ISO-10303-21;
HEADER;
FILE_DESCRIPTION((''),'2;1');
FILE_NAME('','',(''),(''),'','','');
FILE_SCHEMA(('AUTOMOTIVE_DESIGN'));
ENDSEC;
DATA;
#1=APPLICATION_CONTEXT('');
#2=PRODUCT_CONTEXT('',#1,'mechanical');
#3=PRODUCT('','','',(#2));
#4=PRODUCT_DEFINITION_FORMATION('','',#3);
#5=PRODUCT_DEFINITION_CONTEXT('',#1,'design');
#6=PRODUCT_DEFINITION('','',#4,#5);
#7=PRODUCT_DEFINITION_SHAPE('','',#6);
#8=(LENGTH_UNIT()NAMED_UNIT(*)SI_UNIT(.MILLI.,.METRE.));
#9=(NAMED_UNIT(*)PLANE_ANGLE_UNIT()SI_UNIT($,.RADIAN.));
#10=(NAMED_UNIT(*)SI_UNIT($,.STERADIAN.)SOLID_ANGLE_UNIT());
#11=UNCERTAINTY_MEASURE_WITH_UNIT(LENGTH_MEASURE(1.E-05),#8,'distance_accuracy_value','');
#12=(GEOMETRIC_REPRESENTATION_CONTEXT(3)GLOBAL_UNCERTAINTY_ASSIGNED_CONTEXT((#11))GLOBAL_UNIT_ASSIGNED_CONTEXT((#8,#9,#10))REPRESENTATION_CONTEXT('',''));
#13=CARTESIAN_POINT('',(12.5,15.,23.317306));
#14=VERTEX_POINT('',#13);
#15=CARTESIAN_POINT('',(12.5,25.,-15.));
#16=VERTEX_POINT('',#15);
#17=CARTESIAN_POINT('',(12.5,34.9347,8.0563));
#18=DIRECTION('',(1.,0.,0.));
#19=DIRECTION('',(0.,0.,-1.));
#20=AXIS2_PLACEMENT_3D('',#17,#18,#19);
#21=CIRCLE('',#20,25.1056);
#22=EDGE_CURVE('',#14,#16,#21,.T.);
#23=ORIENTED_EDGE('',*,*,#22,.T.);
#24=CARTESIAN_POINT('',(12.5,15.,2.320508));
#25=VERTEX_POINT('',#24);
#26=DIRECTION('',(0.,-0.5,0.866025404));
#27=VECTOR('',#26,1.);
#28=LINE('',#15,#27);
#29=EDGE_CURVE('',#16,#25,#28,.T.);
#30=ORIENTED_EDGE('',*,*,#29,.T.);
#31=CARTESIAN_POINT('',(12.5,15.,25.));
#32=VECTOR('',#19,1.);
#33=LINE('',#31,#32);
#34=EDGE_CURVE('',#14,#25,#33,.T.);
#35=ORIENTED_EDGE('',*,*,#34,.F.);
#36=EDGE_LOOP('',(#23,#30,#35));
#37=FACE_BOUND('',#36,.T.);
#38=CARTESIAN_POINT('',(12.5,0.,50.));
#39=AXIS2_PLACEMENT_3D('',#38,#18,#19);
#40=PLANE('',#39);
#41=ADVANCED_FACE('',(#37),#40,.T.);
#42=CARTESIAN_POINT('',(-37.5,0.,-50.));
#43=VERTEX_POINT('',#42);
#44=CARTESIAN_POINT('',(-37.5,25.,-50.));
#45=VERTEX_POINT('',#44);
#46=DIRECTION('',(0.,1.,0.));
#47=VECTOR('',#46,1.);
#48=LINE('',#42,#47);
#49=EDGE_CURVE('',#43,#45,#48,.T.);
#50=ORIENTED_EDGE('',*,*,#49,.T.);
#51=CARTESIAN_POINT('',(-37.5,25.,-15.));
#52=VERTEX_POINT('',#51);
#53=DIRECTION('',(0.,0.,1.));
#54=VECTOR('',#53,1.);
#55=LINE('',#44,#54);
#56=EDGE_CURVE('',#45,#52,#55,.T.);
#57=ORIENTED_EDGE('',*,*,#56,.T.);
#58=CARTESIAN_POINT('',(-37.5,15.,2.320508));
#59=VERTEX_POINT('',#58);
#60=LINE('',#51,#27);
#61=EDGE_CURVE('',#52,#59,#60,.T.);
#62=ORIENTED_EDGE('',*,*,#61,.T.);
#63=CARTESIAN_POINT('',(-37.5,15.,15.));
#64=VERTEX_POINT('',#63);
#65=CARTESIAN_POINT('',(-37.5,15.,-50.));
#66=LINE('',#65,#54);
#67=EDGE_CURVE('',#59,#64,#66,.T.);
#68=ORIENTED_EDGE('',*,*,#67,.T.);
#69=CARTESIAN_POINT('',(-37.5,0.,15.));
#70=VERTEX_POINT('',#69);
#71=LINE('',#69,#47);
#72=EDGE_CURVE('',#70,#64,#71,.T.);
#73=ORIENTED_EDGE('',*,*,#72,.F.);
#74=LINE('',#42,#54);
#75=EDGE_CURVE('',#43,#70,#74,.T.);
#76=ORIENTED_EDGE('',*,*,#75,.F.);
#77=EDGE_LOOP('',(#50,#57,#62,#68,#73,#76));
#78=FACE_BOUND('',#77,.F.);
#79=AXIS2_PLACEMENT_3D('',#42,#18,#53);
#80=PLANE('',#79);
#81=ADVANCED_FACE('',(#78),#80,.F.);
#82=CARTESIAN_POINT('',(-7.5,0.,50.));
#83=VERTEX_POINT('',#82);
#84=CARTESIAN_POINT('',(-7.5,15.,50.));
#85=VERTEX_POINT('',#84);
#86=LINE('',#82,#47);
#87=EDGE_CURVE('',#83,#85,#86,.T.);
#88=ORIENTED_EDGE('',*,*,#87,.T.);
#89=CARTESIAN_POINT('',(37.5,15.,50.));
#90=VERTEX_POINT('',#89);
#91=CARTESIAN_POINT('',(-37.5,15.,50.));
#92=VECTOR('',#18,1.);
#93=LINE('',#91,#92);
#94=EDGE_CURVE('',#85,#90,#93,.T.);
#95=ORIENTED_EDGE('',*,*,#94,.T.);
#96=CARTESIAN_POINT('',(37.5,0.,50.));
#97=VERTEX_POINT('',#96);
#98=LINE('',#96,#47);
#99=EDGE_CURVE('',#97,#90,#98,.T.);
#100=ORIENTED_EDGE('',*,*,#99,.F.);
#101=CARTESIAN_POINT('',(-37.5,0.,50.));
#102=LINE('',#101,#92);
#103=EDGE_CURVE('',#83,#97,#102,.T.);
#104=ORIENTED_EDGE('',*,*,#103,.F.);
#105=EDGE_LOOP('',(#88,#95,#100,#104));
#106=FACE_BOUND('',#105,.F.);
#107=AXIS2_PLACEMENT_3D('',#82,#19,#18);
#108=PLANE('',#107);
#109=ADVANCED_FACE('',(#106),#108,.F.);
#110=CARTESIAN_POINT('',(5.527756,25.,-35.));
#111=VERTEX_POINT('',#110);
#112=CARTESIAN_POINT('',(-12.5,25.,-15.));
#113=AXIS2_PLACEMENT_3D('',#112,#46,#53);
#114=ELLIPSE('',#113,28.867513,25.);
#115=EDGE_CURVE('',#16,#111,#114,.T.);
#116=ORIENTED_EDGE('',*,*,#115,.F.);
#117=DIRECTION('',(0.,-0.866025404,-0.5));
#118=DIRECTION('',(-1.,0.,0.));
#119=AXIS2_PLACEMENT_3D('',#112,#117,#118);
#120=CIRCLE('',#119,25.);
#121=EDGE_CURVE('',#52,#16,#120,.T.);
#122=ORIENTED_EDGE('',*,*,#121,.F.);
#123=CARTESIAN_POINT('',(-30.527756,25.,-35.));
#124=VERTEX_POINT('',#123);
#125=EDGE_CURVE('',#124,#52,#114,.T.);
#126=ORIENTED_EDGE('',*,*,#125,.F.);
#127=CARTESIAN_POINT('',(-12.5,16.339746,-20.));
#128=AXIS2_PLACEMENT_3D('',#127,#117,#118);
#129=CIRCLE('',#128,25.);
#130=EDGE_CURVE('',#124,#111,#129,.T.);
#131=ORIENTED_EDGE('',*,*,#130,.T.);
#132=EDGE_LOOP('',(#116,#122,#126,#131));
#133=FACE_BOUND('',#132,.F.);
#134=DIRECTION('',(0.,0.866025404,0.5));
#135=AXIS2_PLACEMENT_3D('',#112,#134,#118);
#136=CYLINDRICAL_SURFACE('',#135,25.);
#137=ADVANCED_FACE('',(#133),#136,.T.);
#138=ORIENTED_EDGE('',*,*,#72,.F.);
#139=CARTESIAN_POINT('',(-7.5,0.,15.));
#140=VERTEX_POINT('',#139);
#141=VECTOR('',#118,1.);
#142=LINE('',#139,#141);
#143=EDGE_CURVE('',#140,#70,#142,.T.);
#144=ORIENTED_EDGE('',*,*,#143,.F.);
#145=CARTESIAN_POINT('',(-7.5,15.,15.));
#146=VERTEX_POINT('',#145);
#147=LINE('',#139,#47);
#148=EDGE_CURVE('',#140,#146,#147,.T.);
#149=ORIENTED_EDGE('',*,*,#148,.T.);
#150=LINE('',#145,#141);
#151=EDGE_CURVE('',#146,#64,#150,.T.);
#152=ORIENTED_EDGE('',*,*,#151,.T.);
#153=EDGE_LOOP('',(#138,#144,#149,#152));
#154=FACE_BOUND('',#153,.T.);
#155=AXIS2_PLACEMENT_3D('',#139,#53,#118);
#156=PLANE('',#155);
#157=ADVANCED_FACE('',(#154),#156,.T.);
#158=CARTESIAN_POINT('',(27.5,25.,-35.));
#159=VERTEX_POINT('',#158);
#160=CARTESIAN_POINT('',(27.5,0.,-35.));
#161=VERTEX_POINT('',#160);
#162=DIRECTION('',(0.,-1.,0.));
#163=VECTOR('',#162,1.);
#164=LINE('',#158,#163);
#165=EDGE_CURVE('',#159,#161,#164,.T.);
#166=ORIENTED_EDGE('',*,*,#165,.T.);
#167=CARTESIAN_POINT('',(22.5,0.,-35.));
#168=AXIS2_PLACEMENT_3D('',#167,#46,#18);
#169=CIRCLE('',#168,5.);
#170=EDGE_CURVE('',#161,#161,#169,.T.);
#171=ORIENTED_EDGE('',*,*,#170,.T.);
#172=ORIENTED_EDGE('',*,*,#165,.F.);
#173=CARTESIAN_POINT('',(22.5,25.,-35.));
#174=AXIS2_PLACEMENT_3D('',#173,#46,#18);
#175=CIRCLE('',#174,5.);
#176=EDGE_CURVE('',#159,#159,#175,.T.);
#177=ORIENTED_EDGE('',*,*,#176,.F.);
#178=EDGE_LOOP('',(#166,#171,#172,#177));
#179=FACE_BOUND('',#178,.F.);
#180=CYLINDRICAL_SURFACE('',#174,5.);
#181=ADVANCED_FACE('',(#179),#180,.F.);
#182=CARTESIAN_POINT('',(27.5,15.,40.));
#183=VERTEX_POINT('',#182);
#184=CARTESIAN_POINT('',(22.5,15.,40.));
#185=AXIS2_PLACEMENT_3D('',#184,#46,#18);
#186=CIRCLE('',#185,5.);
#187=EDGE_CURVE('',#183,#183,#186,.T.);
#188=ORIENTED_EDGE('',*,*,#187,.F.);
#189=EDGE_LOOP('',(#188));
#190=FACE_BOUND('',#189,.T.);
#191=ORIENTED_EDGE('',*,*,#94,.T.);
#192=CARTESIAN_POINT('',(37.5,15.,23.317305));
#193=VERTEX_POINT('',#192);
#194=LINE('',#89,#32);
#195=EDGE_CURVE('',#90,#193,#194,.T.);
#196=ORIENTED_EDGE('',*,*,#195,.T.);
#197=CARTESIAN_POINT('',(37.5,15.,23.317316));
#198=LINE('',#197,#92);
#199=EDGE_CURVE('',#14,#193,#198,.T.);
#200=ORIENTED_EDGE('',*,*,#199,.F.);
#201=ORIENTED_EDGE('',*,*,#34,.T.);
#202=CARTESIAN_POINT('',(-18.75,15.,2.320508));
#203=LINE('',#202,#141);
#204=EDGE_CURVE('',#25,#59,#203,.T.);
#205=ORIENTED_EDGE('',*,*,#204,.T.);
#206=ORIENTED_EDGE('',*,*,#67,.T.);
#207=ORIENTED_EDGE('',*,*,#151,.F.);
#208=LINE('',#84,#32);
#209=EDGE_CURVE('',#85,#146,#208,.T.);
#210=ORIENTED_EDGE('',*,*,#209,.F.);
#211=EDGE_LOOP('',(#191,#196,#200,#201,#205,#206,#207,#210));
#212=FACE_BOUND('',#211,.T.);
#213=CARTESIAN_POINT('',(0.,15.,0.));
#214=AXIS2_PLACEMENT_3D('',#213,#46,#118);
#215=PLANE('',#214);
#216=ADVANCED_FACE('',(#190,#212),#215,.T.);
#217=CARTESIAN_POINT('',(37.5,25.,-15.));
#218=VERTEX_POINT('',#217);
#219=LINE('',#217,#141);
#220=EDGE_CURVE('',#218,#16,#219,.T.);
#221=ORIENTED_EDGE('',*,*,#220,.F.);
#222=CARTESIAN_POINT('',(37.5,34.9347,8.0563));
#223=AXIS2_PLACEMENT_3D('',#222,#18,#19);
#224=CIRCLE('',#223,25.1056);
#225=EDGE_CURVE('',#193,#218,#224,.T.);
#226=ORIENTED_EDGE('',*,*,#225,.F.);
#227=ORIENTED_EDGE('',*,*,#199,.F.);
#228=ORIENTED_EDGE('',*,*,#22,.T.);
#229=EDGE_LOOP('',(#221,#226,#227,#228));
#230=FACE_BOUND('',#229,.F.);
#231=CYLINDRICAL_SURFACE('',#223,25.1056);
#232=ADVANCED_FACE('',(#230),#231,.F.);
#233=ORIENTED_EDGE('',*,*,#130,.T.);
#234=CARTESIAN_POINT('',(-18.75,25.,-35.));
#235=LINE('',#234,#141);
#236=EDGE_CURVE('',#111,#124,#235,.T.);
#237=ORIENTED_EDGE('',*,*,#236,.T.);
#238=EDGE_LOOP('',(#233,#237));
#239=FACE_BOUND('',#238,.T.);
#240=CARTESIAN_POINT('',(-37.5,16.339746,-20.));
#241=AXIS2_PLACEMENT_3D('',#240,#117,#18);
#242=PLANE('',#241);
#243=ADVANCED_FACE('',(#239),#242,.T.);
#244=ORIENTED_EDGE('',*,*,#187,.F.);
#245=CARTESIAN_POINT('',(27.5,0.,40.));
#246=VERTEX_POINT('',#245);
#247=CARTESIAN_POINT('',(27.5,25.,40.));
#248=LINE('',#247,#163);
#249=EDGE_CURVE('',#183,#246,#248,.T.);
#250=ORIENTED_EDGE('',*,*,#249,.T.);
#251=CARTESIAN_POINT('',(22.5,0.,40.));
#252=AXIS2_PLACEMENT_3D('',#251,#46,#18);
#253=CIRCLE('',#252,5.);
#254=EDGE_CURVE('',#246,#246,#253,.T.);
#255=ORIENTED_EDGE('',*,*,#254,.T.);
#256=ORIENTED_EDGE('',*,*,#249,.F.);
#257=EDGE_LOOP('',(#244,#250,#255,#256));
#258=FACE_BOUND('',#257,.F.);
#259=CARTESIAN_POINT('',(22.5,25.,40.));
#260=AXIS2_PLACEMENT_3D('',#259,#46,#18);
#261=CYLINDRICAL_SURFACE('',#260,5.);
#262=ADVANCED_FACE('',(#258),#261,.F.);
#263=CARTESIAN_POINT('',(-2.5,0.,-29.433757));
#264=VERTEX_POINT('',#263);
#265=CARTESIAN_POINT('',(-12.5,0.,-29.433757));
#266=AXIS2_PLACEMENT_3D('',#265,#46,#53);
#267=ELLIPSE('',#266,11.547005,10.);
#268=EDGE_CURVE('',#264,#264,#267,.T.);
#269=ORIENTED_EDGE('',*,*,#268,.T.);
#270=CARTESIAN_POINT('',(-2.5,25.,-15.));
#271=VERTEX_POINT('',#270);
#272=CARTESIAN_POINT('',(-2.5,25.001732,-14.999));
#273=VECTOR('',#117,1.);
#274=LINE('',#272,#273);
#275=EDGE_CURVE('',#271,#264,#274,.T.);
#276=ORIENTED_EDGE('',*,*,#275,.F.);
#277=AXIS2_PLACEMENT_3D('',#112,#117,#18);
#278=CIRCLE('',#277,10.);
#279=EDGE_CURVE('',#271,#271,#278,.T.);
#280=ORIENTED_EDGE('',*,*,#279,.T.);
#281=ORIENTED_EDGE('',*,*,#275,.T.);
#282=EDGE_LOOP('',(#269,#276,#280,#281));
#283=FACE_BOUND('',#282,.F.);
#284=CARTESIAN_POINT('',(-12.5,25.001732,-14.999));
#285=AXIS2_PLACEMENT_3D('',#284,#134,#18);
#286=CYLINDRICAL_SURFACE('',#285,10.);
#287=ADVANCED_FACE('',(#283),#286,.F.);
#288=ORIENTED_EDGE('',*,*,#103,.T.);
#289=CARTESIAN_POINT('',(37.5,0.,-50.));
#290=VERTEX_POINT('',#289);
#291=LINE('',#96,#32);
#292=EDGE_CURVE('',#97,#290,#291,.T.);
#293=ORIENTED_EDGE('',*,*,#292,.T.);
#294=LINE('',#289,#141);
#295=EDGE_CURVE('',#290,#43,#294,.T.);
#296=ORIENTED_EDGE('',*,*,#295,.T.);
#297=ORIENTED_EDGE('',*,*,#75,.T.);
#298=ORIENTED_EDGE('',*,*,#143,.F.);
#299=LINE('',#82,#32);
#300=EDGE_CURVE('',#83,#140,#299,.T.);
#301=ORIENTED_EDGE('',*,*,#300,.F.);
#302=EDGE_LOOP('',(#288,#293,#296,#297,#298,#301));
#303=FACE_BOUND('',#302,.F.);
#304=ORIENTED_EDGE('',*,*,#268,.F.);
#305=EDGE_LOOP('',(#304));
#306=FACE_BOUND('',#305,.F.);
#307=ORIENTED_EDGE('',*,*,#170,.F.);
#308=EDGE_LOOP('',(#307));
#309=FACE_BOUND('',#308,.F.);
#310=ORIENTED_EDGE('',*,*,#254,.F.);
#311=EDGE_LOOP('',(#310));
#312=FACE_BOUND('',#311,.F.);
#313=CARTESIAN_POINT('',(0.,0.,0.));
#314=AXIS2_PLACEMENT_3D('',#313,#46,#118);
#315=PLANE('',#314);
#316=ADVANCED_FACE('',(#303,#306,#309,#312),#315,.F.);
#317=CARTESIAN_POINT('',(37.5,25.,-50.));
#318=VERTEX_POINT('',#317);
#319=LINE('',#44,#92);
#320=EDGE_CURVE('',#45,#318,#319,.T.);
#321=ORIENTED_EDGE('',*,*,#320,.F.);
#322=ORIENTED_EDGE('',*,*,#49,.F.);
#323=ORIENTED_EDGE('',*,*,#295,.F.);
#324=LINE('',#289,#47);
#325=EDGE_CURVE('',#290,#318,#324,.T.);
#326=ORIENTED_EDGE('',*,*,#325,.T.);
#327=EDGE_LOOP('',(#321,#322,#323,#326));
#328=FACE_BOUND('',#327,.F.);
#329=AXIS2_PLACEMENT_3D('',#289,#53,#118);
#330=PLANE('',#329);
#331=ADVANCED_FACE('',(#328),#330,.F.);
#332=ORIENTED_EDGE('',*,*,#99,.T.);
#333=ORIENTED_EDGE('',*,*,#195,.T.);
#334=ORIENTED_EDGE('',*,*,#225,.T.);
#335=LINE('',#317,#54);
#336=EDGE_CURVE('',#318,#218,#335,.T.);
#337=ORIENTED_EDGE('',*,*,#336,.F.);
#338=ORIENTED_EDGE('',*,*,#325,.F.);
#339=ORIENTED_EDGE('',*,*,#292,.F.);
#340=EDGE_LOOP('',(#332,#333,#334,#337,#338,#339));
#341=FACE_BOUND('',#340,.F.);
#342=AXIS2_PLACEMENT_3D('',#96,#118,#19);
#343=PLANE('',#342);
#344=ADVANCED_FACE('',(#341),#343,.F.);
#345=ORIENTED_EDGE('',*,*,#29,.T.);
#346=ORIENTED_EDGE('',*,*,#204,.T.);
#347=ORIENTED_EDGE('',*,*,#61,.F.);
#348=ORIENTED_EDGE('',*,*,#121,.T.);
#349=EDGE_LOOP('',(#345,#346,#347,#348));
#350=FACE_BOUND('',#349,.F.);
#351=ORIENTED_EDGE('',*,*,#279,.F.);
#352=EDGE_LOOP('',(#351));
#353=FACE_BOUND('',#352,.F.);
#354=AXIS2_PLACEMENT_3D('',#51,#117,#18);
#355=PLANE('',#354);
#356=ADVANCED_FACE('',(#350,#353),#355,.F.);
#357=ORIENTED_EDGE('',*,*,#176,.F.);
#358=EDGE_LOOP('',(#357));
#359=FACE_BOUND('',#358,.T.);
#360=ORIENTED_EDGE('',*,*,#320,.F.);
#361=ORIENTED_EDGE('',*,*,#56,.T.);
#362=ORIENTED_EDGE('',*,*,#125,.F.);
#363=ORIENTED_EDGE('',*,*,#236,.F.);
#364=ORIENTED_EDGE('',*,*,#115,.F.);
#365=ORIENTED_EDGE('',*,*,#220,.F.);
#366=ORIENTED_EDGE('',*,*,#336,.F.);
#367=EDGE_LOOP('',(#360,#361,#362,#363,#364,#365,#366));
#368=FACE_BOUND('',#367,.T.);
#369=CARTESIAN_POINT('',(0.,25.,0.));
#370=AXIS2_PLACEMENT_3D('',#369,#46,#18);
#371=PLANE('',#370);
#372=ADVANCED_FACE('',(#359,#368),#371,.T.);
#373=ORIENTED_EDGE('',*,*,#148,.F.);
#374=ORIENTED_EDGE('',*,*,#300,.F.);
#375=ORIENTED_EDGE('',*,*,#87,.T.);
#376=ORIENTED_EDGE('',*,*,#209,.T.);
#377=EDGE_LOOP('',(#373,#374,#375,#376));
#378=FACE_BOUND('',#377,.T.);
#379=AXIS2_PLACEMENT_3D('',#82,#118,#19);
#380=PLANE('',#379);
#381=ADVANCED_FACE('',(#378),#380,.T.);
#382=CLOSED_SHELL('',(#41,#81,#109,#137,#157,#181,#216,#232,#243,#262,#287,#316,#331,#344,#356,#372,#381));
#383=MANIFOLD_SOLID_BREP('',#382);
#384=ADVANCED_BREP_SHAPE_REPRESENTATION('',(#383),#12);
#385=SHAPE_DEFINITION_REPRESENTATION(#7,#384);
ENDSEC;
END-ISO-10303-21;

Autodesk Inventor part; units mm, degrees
ref_plane "YZ Plane" through (0, 0, 0) normal (1, 0, 0) x (0, 1, 0)
ref_plane "XZ Plane" through (0, 0, 0) normal (0, 1, 0) x (-1, 0, 0)
sketch "Boceto1" plane through (0, 0, 0) normal (0, 1, 0) x (-1, 0, 0)
  line L0 (-37.5, -50) -> (37.5, -50)
  line L1 (37.5, -50) -> (37.5, 50)
  line L2 (37.5, 50) -> (-37.5, 50)
  line L3 (-37.5, 50) -> (-37.5, -50)
  line L4 (-37.5, -50) -> (37.5, 50) construction
  line L5 (37.5, -50) -> (-37.5, 50) construction
  line L6 (37.5, 50) -> (7.5, 50)
  line L7 (7.5, 50) -> (7.5, 15)
  line L8 (7.5, 15) -> (37.5, 15)
  line L9 (37.5, 15) -> (37.5, 50)
  point P0 (0, 0)
  dimension "d0" = 100
  dimension "d1" = 75
  dimension "d2" = 30
  dimension "d3" = 35
extrude "Extrusión1" add sketch "Boceto1" along normal blind 15 contours L3 L2 L7 L8 L1 L0
sketch "Boceto2" plane through (0, 15, 0) normal (0, 1, 0) x (1, 0, 0)
  line L0 (-37.5, 50) -> (-37.5, -15) projected
  line L1 (-37.5, 50) -> (37.5, 50)
  line L2 (37.5, 50) -> (37.5, 15)
  line L3 (37.5, 15) -> (-37.5, 15)
  line L4 (-37.5, 15) -> (-37.5, 50)
  point P0 (0, 0)
  dimension "d6" = 35
  dimension "d7" = 75
extrude "Extrusión2" add sketch "Boceto2" along normal blind 10
ref_plane "Plano de trabajo1" through (-37.5, 25, -15) normal (0, -0.866, -0.5) x (1, 0, 0)
sketch "Boceto3" plane through (-37.5, 25, -15) normal (0, -0.866, -0.5) x (1, 0, 0)
  line L0 (75, 5) -> (75, 0) projected
  line L1 (75, 0) -> (50, 0)
  line L2 (0, 0) -> (75, 0) projected
  line L3 (0, 30.9808) -> (30, 30.9808) projected
  line L4 (0, 5) -> (0, 0) projected
  line L5 (0, 30.9808) -> (0, 0)
  arc A0 (0, 0) -> (50, 0) centre (25, 0) ccw
  line L6 (50, 0) -> (50, 30.9808)
  line L7 (50, 30.9808) -> (0, 30.9808)
  circle A1 centre (25, 0) radius 10
  point P0 (37.5, 25.4904)
  point P1 (0, 5)
  dimension "d11" = 25
  dimension "d12" = 20
extrude "Extrusión3" add sketch "Boceto3" along normal blind 10 contours A1 L2 L4 L5 L3 L7 L6 | L2 A0 A1
sketch "Boceto4" plane through (-37.5, 25, -15) normal (0, 0.866, 0.5) x (1, 0, 0)
  line L0 (15, 0) -> (35, 0) projected
  circle A0 centre (25, 0) radius 10
  point P0 (37.5, -25.4904)
  dimension "d15" = 20
extrude "Extrusión4" cut sketch "Boceto4" against normal blind 40
sketch "Boceto5" plane through (37.5, 0, 50) normal (1, 0, 0) x (0, 0, -1)
  line L0 (35, 15) -> (0, 15) projected
  line L1 (0, 15) -> (0, 10)
  line L2 (0, 0) -> (0, 15) projected
  line L3 (0, 10) -> (69.9738, 10)
  line L4 (100, 0) -> (100, 25) projected
  line L5 (65, 25) -> (47.6795, 15) projected
  line L6 (65, 15) -> (65, 25) projected
  arc A0 (62.0755, 49.9347) -> (65, 25) centre (41.9437, 34.9347) ccw
  circle A1 centre (41.9437, 34.9347) radius 25.1056
  line L7 (0, 15) -> (65, 15) projected
  circle A2 centre (41.9437, 34.9347) radius 30.4793
  line L8 (65, 25) -> (70.7584, 25)
  line L9 (65, 25) -> (100, 25) projected
  point P0 (50, 0)
  point P1 (57.2047, 15)
  point P2 (62.0755, 49.9347)
  point P3 (39.0192, 10)
  point P4 (44.8682, 10)
  dimension "d18" = 5
extrude "Extrusión5" add sketch "Boceto5" against normal blind 25 contours L7 A0 L3 L0 | L0 A0 A1 L5 L7 | L5 A0 L7 | L6 L7 A0
sketch "Boceto6" plane through (37.5, 0, 50) normal (1, 0, 0) x (0, 0, -1)
  arc A0 (65, 25) -> (26.6827, 15) centre (41.9437, 34.9347) ccw projected
  circle A1 centre (41.9437, 34.9347) radius 25.1056
  point P0 (50, 0)
  point P1 (26.6827, 15)
extrude "Extrusión6" cut sketch "Boceto6" against normal blind 25
sketch "Boceto7" plane through (-37.5, 25, -15) normal (0, -0.866, -0.5) x (1, 0, 0)
  point P0 (37.5, 25.4904)
sketch "Boceto8" plane through (0, 25, 0) normal (0, 1, 0) x (1, 0, 0)
  circle A0 centre (22.5, 35) radius 5
  line L0 (37.5, 50) -> (-37.5, 50) projected
  line L1 (37.5, 15) -> (37.5, 50) projected
  circle A1 centre (22.5, -40) radius 5
  line L2 (-7.5, -50) -> (37.5, -50) projected
  line L3 (37.5, -50) -> (37.5, -23.3173) projected
  point P0 (0, 0)
  dimension "d23" = 15
  dimension "d24" = 15
  dimension "d25" = 10
  dimension "d26" = 10
  dimension "d27" = 15
  dimension "d28" = 10
extrude "Extrusión7" cut sketch "Boceto8" against normal blind 25
properties part number "Pieza3-Tarea2"
